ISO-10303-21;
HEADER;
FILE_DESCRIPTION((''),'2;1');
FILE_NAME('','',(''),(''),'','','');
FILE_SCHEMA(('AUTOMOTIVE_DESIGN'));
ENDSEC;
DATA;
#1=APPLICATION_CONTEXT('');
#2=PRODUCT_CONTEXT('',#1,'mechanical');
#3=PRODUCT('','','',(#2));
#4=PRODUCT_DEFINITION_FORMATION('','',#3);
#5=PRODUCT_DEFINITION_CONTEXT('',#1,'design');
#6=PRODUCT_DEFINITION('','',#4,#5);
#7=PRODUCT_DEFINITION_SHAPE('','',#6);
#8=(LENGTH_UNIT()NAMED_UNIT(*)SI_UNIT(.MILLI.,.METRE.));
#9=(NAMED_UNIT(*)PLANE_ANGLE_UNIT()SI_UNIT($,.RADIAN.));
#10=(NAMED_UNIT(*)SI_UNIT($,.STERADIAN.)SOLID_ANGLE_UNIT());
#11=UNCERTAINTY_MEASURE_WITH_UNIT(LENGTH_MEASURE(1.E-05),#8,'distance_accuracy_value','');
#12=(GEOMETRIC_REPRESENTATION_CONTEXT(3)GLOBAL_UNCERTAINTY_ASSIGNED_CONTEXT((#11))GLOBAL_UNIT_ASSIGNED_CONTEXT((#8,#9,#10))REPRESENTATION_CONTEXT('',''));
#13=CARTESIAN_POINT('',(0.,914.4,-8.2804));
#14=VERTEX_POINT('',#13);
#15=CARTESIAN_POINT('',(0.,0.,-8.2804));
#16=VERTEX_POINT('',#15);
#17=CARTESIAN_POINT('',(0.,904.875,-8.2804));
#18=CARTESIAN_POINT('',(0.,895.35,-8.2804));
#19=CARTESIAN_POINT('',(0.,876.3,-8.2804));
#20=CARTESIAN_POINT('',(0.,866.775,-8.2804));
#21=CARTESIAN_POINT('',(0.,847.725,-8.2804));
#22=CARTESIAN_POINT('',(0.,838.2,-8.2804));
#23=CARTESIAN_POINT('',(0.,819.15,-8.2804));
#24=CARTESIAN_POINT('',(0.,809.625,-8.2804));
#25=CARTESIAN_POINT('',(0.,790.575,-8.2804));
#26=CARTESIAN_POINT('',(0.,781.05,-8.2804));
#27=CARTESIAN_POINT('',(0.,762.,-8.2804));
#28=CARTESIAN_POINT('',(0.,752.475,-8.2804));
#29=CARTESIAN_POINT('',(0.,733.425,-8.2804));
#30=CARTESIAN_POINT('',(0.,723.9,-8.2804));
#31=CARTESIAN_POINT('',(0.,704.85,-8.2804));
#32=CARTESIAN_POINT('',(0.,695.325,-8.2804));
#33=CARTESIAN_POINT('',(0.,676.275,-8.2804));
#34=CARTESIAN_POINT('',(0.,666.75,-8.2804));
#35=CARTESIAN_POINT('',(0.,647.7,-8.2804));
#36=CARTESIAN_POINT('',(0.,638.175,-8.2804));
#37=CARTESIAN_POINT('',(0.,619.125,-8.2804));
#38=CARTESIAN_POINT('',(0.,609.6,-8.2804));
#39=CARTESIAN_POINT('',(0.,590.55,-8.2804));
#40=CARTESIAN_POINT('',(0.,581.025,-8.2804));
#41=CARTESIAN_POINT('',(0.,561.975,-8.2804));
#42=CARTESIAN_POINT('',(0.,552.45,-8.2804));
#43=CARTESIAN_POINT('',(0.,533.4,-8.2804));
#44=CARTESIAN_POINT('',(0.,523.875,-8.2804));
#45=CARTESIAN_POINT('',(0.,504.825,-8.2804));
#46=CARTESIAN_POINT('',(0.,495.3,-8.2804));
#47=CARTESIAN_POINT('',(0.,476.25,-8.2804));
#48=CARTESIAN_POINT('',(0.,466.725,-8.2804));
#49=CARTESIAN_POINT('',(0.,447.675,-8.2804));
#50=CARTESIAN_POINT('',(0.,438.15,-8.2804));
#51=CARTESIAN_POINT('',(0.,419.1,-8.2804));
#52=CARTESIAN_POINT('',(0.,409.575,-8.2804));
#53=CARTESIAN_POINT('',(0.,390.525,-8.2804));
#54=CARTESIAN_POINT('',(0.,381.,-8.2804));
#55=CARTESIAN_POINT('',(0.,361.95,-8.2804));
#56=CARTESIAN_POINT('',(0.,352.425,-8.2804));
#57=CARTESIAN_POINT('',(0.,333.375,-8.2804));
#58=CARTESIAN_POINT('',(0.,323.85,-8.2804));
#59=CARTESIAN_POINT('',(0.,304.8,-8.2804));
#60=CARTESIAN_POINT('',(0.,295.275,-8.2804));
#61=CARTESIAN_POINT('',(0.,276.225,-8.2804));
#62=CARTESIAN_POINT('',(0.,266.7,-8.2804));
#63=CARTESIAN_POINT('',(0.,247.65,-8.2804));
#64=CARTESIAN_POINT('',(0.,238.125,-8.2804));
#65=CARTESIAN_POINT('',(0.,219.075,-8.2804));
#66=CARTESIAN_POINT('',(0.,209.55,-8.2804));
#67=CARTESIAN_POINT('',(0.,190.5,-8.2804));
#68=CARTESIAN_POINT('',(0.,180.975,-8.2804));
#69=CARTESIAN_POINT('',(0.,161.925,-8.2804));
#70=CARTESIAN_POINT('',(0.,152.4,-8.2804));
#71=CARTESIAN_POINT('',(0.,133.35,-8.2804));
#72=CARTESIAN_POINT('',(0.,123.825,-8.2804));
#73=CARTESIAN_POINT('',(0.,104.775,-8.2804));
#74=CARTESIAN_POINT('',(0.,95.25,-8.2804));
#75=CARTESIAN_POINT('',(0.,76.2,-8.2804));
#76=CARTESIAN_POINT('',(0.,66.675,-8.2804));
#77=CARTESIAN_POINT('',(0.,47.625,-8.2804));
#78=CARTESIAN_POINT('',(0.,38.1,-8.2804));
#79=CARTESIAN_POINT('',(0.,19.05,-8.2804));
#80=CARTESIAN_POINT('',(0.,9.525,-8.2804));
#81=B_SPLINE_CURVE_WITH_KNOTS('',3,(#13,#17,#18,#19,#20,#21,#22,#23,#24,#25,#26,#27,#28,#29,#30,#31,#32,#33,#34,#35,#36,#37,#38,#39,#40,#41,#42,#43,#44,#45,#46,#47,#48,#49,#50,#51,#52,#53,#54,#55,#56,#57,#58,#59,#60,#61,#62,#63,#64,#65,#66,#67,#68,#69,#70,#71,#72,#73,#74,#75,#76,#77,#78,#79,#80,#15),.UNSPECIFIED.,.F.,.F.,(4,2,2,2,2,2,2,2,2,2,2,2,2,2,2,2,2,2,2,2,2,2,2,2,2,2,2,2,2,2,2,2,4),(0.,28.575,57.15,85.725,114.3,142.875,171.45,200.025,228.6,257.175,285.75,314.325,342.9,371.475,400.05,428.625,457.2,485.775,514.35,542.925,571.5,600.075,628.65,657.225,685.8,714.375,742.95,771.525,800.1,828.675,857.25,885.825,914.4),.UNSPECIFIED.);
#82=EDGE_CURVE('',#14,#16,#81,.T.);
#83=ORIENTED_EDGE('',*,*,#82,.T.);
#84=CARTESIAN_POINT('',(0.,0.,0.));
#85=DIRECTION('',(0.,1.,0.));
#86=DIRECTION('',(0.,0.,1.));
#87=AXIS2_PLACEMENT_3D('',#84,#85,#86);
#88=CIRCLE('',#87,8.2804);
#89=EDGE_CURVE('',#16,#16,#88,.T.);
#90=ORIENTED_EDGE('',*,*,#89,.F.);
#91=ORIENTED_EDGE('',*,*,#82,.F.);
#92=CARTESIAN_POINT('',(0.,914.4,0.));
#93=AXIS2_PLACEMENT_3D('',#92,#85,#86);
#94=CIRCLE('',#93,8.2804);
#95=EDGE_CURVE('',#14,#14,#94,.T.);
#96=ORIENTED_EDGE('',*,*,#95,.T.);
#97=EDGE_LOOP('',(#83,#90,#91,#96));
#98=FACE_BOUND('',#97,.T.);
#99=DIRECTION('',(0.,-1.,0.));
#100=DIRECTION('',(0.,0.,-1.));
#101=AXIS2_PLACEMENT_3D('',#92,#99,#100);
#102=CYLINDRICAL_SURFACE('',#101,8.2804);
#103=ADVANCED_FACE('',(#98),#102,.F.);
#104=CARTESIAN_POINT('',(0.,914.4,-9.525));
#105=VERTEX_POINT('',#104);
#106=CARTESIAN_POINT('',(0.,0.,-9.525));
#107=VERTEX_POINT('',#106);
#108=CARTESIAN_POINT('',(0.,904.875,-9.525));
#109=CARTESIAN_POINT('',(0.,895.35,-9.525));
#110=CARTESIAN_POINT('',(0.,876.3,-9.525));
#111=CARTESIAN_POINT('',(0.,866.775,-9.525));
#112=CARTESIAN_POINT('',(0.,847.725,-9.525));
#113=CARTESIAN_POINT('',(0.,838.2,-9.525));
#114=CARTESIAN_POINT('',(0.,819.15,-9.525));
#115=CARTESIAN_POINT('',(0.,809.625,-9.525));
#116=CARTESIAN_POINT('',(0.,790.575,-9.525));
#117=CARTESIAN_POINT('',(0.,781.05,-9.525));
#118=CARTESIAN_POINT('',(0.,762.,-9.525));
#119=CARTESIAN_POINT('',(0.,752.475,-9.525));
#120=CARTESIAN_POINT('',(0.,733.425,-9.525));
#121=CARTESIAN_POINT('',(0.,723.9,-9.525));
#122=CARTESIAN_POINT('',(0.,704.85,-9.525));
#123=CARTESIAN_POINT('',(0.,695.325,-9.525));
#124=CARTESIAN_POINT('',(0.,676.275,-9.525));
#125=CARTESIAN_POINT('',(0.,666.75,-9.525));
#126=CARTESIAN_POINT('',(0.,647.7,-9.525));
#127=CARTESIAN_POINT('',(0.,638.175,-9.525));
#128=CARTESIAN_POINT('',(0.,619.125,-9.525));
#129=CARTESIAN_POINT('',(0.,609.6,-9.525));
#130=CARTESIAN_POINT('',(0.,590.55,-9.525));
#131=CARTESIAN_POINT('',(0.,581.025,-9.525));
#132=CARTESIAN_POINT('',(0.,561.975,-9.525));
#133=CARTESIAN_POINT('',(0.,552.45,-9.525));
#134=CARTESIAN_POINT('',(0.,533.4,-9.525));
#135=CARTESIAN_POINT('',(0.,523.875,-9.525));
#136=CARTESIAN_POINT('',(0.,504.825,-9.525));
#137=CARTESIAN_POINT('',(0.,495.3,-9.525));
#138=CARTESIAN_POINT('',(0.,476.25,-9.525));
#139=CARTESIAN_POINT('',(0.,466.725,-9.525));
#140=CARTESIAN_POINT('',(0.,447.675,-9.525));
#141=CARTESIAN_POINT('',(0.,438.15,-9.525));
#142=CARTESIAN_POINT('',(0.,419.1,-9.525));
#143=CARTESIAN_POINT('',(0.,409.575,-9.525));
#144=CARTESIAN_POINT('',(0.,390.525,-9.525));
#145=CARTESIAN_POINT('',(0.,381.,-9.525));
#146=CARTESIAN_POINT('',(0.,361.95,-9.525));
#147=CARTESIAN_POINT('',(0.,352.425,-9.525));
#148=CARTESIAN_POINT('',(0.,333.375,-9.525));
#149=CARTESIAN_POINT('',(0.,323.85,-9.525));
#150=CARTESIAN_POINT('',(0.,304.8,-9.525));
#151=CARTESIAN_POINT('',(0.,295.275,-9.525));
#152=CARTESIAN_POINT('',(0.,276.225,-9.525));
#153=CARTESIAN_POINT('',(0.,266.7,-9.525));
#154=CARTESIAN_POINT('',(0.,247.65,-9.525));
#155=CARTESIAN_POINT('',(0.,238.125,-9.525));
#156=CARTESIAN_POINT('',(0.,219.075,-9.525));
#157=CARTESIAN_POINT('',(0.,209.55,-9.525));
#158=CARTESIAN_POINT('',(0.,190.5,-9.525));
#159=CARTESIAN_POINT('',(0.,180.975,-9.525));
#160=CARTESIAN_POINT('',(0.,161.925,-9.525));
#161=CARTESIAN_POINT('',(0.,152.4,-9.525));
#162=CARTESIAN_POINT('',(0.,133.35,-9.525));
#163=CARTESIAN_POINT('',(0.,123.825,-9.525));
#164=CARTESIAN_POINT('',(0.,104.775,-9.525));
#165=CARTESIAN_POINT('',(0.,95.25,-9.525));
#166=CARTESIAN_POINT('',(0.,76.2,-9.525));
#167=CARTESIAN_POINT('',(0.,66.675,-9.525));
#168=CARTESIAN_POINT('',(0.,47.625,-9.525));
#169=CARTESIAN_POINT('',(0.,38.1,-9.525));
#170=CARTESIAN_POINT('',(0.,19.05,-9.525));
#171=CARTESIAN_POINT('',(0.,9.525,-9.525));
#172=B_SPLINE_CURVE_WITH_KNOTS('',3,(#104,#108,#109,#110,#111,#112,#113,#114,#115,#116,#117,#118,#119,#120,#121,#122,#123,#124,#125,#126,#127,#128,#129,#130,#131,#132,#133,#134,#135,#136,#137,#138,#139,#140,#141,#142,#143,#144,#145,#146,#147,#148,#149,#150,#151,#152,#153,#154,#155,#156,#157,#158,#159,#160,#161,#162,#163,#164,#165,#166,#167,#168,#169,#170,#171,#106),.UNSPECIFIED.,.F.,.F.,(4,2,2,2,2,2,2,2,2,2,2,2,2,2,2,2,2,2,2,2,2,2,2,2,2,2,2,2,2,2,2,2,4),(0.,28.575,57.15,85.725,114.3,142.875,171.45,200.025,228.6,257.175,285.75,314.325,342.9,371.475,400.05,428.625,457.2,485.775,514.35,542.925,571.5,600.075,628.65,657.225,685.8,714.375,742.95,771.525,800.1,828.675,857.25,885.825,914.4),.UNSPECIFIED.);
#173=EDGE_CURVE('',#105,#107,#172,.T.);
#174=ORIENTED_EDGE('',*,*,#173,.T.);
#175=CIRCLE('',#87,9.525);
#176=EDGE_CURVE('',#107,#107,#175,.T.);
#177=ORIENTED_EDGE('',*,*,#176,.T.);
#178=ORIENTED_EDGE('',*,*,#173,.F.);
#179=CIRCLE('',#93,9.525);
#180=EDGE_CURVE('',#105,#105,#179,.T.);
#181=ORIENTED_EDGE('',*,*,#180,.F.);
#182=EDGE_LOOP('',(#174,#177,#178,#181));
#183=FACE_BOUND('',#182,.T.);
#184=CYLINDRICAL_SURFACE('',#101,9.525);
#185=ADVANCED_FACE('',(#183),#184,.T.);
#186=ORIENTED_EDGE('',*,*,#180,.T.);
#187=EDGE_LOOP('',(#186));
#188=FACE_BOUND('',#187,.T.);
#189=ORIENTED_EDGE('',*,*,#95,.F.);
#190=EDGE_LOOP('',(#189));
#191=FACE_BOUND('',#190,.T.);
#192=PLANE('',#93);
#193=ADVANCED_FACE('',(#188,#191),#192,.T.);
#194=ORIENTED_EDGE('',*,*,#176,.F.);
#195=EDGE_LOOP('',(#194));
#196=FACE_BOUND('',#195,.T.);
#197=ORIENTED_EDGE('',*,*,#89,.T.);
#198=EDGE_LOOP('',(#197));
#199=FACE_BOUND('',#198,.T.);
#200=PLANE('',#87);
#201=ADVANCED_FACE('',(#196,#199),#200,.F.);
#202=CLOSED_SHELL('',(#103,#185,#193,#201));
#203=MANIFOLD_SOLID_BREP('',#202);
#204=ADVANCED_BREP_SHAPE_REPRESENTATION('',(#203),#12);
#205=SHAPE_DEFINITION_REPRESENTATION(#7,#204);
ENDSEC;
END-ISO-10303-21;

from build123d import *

# Parameters (mm, degrees)
SKETCH1_R           = 9.525
SKETCH1_R_2         = 8.2804
BOSS_EXTRUDE1_DEPTH = 914.4


with BuildPart() as part:
    # Sketch1 → Boss-Extrude1 (new body)
    with BuildSketch(Plane(origin=(0, 0, 0), x_dir=(1, 0, 0), z_dir=(0, 1, 0))):
        Circle(SKETCH1_R)
        Circle(SKETCH1_R_2, mode=Mode.SUBTRACT)
    extrude(amount=BOSS_EXTRUDE1_DEPTH)


solid = part.part
